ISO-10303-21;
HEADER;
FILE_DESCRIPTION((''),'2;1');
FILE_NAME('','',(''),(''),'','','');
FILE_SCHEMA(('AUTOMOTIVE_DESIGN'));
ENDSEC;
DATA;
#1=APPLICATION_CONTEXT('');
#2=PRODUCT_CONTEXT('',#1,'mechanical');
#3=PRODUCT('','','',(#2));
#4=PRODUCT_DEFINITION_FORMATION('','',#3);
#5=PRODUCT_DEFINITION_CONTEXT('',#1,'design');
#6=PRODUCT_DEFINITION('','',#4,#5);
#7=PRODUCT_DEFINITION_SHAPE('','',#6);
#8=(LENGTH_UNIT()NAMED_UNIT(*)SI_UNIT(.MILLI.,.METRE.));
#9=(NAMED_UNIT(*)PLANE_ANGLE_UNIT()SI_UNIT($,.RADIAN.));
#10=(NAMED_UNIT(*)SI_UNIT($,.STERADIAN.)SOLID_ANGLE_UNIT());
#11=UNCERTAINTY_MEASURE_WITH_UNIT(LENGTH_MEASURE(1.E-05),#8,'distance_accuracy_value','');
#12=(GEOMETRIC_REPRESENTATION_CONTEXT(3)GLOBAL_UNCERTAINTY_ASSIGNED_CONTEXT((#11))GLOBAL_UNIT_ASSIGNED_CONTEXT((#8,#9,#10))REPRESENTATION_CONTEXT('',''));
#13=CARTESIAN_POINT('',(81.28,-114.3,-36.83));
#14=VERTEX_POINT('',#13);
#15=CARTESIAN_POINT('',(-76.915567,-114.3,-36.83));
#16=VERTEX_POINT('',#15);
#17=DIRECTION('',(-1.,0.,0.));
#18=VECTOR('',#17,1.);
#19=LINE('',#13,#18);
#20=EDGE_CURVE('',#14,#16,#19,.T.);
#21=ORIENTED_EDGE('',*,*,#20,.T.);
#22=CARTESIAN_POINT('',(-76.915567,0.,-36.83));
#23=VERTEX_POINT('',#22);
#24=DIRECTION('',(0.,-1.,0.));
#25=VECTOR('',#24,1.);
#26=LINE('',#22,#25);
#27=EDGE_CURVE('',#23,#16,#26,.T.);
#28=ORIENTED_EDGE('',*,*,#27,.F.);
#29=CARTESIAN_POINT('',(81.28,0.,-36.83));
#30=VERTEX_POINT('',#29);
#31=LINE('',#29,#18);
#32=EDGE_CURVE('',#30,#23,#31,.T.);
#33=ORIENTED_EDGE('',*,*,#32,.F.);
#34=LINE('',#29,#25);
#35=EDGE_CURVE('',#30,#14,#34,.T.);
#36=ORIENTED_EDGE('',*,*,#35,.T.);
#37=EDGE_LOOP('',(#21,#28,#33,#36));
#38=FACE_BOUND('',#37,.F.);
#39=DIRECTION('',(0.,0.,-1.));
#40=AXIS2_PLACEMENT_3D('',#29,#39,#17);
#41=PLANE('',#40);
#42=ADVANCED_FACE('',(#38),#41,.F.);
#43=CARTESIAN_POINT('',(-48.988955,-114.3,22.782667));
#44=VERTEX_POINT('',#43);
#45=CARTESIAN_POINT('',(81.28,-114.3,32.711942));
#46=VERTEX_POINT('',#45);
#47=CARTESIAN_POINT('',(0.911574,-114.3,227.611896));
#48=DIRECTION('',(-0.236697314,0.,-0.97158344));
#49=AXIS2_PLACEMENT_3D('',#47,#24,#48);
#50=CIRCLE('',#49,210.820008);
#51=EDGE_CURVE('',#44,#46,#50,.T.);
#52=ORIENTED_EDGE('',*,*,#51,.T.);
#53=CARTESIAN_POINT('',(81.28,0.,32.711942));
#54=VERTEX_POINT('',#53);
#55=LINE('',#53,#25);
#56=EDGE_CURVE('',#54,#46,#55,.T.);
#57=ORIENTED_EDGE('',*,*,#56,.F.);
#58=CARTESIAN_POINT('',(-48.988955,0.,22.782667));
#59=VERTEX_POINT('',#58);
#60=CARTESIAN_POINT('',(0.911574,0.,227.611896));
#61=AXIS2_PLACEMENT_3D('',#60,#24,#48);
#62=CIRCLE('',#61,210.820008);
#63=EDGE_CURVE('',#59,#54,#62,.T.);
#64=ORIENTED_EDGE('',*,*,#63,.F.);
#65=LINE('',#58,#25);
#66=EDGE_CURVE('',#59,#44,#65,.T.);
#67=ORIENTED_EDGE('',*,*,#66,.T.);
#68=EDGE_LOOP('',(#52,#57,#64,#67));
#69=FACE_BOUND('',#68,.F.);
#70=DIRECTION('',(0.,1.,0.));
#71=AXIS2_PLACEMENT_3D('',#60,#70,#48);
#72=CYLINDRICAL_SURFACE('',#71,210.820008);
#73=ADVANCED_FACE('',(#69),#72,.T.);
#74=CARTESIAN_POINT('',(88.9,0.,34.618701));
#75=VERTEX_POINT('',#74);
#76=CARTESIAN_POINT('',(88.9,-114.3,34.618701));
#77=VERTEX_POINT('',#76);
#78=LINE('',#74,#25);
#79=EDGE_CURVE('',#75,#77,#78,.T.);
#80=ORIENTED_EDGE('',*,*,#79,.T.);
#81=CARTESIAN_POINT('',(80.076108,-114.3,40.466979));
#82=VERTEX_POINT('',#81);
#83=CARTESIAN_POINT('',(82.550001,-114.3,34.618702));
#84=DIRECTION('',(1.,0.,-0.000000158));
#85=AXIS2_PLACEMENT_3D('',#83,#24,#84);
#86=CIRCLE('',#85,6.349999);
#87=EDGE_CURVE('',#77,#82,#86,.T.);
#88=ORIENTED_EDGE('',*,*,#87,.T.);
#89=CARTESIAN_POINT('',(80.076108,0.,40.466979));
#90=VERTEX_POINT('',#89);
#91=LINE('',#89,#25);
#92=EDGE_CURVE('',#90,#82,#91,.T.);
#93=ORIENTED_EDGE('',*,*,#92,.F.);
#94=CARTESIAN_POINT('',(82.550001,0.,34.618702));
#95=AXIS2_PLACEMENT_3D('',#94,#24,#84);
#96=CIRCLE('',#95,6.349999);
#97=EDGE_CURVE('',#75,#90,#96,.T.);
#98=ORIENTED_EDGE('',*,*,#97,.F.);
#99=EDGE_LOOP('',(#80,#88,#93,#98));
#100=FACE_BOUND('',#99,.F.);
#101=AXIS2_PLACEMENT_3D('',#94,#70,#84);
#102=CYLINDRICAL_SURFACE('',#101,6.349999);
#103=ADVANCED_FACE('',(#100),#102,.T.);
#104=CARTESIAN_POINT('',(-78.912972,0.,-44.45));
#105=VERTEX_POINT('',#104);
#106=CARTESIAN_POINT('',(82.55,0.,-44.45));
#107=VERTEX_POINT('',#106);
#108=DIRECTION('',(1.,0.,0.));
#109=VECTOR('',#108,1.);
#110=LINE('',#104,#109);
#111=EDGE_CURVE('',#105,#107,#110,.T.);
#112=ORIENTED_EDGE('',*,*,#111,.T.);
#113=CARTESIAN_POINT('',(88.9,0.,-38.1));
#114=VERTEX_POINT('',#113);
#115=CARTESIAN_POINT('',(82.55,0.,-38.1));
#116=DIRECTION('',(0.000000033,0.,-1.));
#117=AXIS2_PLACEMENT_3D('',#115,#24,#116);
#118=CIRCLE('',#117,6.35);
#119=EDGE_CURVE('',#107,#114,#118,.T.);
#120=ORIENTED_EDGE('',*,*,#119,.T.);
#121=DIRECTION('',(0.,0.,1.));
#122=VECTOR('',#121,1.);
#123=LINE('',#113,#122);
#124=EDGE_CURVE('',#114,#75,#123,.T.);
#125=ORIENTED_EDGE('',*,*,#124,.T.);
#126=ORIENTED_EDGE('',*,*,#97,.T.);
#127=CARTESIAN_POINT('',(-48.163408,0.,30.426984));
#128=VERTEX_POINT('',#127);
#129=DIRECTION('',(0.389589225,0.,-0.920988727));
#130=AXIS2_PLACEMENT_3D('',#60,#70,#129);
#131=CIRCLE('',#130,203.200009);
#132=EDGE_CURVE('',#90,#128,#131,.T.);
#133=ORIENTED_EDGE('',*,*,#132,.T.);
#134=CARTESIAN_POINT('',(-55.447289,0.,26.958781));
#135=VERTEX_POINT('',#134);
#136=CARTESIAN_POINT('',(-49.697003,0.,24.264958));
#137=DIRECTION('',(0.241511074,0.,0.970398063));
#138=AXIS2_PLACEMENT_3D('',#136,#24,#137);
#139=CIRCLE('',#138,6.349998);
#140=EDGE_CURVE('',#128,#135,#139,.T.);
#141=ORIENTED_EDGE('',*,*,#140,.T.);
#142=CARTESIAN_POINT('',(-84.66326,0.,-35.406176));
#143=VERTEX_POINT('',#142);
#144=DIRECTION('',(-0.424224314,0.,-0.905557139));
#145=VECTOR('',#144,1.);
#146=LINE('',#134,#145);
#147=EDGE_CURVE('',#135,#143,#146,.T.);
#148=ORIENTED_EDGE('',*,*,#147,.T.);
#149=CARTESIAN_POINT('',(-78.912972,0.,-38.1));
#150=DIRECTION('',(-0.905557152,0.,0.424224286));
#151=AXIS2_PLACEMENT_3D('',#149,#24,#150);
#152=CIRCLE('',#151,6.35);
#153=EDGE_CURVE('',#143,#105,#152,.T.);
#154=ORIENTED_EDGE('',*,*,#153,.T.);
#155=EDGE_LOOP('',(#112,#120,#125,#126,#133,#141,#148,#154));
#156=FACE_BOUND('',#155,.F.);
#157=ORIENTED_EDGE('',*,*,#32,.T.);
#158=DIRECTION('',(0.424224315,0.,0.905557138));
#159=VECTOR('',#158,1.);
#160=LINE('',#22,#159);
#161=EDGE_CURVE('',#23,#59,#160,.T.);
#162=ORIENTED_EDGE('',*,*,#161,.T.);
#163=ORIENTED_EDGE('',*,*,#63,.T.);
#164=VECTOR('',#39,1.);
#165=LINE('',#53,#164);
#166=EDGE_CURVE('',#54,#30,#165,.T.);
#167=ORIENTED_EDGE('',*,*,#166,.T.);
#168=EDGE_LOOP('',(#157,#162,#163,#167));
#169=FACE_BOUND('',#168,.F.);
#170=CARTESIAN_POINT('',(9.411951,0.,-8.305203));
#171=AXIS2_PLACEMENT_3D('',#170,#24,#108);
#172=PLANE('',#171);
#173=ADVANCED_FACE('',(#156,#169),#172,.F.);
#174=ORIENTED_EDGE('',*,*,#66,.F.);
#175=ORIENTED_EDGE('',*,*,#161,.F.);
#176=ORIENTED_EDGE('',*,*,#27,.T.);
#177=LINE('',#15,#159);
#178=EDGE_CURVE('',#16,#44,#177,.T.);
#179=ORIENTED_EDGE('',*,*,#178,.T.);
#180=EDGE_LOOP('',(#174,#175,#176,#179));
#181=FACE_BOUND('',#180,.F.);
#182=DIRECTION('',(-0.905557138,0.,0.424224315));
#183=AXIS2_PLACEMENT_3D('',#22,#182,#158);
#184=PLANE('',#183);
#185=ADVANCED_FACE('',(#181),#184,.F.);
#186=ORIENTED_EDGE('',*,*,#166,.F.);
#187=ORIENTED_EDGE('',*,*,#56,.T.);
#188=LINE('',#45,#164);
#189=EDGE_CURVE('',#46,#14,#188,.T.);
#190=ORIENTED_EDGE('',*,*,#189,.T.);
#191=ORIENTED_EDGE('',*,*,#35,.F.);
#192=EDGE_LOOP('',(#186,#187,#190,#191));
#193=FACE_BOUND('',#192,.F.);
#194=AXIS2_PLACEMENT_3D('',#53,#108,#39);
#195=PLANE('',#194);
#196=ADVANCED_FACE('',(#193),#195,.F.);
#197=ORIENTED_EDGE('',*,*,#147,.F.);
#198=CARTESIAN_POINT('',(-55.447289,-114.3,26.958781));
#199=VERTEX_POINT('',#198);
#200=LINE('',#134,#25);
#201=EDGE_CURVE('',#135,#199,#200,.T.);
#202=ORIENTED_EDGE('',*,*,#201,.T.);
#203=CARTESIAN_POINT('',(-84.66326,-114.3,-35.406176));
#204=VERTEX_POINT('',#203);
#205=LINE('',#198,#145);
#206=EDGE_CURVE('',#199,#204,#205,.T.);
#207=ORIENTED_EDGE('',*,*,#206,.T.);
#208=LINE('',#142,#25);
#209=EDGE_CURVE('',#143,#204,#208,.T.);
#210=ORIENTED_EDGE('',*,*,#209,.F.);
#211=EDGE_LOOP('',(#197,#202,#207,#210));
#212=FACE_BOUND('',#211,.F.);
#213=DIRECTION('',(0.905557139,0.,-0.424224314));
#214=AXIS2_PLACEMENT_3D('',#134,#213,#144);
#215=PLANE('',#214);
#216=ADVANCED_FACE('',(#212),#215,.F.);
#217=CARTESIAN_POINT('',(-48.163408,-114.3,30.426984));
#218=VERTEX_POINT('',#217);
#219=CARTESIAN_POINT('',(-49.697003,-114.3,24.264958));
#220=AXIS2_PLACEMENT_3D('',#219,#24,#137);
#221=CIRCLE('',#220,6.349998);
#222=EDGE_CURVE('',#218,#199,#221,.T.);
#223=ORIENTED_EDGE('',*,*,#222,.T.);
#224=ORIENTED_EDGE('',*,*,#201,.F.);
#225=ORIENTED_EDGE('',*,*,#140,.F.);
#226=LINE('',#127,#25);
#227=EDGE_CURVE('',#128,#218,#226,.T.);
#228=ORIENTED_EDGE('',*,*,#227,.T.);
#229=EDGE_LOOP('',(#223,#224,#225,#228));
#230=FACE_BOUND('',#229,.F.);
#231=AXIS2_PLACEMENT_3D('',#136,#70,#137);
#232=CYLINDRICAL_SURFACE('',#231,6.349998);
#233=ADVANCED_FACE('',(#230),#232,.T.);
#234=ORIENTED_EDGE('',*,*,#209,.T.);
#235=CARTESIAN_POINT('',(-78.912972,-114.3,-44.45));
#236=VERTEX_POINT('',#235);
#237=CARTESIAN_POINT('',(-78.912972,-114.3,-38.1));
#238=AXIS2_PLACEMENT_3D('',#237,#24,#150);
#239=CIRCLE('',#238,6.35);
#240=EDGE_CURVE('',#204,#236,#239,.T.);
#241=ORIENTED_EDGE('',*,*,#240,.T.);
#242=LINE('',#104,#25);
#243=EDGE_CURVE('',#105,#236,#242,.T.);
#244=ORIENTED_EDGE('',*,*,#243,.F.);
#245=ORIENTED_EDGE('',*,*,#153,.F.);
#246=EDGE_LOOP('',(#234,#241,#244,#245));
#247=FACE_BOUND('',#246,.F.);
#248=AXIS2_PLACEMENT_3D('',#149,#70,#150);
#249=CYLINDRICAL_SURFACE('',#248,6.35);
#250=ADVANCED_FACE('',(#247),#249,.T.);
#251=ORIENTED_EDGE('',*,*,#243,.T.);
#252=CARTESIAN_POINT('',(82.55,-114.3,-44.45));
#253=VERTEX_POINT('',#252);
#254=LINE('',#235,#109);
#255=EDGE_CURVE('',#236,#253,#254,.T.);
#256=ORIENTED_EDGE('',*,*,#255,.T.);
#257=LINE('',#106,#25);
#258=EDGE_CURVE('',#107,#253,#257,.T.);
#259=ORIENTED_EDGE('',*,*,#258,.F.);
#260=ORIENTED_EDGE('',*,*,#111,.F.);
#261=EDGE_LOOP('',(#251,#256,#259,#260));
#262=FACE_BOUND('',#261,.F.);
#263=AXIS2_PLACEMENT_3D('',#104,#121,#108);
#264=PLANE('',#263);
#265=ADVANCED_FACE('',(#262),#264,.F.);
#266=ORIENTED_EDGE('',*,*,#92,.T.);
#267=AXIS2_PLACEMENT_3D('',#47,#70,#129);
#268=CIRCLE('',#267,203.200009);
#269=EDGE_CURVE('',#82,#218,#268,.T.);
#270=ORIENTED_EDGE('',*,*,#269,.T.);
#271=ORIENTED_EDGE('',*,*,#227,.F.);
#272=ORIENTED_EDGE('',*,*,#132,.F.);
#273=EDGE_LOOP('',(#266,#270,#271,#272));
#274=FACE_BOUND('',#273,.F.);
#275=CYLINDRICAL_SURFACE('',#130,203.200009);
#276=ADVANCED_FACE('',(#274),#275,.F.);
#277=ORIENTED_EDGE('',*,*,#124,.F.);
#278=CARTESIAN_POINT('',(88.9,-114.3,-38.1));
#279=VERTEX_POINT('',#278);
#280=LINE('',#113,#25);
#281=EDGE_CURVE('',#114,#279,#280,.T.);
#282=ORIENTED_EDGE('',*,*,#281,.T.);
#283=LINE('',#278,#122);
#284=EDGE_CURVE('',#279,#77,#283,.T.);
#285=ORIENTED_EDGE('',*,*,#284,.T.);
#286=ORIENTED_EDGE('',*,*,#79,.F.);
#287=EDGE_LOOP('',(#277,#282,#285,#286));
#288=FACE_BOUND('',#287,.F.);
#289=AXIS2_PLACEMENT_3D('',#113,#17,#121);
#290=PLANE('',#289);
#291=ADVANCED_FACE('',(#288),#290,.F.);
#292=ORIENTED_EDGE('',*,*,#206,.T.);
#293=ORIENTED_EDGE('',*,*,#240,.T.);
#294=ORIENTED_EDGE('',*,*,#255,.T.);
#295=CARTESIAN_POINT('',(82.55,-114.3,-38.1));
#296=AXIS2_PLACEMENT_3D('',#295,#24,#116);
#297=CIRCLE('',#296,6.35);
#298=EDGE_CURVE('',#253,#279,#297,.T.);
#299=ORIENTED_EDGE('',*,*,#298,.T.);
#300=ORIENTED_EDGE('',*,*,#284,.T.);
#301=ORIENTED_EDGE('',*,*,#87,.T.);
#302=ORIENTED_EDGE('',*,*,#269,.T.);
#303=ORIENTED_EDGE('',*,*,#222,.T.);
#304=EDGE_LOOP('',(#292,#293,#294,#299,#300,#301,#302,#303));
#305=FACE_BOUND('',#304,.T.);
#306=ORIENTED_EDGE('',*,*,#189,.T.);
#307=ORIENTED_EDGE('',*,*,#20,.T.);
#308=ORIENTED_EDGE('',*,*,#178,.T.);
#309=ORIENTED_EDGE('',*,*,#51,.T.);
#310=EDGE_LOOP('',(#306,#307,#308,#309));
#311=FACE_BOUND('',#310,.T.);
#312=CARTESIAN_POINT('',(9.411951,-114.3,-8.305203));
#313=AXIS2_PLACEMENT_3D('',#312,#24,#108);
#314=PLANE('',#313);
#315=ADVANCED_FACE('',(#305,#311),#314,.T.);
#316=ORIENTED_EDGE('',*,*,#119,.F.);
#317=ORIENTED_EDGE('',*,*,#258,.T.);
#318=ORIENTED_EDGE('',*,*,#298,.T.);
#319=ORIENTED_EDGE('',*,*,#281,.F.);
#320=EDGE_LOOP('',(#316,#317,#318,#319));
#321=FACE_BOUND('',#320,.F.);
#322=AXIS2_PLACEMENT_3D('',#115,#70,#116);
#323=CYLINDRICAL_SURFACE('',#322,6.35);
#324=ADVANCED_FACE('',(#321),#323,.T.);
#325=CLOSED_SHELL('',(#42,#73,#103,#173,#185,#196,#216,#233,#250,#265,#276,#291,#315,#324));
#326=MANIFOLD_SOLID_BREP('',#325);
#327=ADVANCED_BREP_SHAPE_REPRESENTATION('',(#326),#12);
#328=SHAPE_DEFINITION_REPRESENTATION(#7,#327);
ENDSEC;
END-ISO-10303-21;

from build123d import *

# Parameters (mm, degrees)
F1_DEPTH = 114.3


with BuildPart() as f1:
    # F0 (on Front) → F1 (new body)
    with BuildSketch(Plane.XZ):
        with BuildLine():
            Line((-78.912972, -44.45), (82.55, -44.45))
            ThreePointArc((82.55, -44.45), (87.040128, -42.590128), (88.9, -38.1))
            Line((88.9, -38.1), (88.9, 34.618701))
            ThreePointArc((88.9, 34.618701), (86.058083, 39.911702), (80.076108, 40.466979))
            ThreePointArc((80.076108, 40.466979), (16.771765, 25.031794), (-48.163408, 30.426984))
            ThreePointArc((-48.163408, 30.426984), (-52.42688, 29.998216), (-55.447289, 26.958781))
            Line((-55.447289, 26.958781), (-84.66326, -35.406176))
            ThreePointArc((-84.66326, -35.406176), (-84.27153, -41.507104), (-78.912972, -44.45))
        make_face()
        with BuildLine():
            ThreePointArc((-48.988955, 22.782667), (16.934084, 17.401632), (81.28, 32.711942))
            Line((81.28, 32.711942), (81.28, -36.83))
            Line((81.28, -36.83), (-76.915567, -36.83))
            Line((-76.915567, -36.83), (-48.988955, 22.782667))
        make_face(mode=Mode.SUBTRACT)
    extrude(amount=F1_DEPTH)


solid = f1.part
